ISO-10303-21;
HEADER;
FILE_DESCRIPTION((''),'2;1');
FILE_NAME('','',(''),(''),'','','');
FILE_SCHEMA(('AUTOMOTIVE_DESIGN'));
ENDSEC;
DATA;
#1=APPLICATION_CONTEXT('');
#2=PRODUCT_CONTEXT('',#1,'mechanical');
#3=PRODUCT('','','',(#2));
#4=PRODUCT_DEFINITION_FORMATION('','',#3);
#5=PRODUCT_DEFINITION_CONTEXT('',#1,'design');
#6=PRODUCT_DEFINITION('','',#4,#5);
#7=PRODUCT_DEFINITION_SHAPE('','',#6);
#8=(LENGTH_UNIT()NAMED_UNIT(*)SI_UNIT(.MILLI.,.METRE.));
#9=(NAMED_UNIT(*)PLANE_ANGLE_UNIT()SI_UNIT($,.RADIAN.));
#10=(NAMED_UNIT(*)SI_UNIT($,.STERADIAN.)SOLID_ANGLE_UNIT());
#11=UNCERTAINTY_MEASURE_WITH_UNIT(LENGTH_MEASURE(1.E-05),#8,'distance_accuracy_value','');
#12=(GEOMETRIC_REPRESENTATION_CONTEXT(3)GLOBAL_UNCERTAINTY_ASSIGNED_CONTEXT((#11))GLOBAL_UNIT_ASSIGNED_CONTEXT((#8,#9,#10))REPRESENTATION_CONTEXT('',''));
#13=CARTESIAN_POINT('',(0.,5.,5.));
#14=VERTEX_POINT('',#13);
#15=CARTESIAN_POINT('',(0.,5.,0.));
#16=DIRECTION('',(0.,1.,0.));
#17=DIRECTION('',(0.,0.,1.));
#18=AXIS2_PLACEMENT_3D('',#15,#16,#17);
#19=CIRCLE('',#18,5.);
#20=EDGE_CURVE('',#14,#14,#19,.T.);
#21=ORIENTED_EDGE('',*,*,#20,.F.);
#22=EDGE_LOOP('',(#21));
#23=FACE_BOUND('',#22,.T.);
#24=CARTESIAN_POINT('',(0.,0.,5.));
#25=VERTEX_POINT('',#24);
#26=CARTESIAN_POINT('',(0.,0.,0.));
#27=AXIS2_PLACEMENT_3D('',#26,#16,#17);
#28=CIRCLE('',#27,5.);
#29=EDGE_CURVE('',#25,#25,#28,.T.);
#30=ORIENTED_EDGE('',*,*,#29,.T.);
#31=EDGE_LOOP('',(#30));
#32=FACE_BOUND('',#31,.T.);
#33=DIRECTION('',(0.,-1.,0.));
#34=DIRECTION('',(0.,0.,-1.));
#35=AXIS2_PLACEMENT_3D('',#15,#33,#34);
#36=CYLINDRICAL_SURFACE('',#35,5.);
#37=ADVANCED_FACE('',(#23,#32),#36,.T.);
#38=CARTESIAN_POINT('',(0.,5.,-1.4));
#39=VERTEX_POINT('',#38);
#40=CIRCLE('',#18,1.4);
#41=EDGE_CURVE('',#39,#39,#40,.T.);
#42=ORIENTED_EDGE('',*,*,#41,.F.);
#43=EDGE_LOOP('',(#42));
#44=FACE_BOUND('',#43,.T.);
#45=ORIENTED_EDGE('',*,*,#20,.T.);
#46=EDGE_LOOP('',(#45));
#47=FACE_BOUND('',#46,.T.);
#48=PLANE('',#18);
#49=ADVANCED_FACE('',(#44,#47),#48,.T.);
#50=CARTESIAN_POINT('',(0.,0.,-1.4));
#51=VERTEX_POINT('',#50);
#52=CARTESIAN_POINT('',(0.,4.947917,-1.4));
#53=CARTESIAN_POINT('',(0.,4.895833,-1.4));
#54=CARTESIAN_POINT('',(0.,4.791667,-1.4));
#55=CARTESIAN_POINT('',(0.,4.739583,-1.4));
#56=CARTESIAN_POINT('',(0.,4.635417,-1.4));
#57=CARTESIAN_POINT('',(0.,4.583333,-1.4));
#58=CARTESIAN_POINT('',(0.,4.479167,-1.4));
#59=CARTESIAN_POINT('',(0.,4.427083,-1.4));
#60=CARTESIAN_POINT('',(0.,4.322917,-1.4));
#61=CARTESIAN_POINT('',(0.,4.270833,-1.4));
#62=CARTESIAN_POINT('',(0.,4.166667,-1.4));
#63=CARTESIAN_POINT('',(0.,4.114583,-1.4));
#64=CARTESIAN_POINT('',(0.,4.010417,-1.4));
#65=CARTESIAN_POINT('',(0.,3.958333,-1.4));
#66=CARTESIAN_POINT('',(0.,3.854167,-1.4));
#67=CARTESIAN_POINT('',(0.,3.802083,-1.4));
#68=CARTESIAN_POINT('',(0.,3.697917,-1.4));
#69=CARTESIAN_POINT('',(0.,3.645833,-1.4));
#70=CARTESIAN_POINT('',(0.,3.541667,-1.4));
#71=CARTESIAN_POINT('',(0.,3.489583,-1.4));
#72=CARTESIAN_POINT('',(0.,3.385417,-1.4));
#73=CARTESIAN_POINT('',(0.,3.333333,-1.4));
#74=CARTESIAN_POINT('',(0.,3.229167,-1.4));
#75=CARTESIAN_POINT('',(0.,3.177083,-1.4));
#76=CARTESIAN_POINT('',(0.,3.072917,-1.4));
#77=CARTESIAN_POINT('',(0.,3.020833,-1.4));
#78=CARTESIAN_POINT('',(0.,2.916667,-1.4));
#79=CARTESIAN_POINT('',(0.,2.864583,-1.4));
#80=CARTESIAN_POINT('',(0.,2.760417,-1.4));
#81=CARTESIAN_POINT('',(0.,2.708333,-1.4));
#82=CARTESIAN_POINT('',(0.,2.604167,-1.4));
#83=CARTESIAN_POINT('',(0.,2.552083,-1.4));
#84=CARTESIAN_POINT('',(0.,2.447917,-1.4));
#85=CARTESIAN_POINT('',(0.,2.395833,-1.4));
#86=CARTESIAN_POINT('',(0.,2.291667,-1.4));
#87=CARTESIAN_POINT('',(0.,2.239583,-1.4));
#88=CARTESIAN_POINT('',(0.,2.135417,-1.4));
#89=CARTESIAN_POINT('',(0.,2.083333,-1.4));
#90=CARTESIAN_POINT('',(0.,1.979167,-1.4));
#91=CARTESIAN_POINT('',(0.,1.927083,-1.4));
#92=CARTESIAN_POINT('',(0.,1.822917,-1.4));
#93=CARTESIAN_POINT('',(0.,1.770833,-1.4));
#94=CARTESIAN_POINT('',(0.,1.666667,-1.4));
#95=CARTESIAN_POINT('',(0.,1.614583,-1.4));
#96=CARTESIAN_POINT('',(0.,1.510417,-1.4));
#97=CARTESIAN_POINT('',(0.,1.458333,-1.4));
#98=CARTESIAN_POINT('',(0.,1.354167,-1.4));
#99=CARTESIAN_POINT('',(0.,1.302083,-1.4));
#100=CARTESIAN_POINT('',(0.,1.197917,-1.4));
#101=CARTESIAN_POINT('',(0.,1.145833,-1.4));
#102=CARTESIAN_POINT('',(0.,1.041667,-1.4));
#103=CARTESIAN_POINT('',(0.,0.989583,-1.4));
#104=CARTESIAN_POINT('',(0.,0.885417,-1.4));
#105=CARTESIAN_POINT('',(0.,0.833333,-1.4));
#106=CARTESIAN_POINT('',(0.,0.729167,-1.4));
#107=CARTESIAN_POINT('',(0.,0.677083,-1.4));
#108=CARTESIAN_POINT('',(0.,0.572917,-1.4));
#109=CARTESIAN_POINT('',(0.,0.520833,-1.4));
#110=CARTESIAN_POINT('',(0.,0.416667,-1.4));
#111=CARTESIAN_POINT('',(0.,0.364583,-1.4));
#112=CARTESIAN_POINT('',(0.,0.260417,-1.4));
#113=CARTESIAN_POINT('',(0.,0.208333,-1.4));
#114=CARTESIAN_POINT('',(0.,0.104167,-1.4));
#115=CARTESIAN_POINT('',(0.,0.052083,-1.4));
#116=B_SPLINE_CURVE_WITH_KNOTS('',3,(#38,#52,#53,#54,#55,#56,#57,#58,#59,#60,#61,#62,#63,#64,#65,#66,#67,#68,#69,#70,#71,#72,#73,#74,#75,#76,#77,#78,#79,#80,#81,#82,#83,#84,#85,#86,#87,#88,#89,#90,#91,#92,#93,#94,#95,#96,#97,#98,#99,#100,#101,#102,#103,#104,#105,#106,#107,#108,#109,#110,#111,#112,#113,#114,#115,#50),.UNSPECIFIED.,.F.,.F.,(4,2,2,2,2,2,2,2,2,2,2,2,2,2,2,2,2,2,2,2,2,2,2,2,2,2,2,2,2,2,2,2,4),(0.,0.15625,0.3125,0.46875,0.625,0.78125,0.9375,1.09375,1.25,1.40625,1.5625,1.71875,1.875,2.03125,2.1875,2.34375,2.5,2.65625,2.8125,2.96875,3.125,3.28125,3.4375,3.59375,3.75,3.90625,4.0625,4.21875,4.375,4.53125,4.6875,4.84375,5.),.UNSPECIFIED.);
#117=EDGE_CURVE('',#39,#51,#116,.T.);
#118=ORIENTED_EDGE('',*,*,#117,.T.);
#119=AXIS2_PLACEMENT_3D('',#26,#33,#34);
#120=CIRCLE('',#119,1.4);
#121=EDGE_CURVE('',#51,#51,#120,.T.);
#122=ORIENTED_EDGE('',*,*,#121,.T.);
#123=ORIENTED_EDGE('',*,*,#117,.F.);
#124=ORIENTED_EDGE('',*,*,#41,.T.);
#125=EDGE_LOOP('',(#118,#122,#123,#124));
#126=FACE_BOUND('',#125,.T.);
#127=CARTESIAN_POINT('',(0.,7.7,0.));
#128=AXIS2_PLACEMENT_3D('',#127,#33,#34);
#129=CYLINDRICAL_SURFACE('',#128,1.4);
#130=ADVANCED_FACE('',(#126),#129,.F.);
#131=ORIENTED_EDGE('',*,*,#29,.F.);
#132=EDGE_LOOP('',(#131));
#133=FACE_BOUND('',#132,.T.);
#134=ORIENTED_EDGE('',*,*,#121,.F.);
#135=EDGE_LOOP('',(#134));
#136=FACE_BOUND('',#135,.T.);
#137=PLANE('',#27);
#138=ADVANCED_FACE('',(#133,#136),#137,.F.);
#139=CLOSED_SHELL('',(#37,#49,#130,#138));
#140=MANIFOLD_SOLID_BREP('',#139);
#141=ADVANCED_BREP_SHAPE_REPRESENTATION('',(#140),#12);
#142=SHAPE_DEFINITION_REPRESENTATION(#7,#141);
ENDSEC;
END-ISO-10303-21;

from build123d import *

# Parameters (mm, degrees)
ESQUISSE1_R             = 5
BOSS_EXTRU_1_DEPTH      = 5
ESQUISSE2_R             = 1.4
ENL_V_MAT_EXTRU_1_DEPTH = 7.7


with BuildPart() as part:
    # Esquisse1 → Boss.-Extru.1 (new body)
    with BuildSketch(Plane(origin=(0, 0, 0), x_dir=(1, 0, 0), z_dir=(0, 1, 0))):
        with Locations(Location((0, 0, 0), (0, 0, 270))):
            Circle(ESQUISSE1_R)
    extrude(amount=BOSS_EXTRU_1_DEPTH)

    # Esquisse2 → Enlèv. mat.-Extru.1 (cut)
    with BuildSketch(Plane.XZ):
        with Locations(Location((0, 0, 0), (0, 0, 270))):
            Circle(ESQUISSE2_R)
    extrude(amount=-ENL_V_MAT_EXTRU_1_DEPTH, mode=Mode.SUBTRACT)


solid = part.part
